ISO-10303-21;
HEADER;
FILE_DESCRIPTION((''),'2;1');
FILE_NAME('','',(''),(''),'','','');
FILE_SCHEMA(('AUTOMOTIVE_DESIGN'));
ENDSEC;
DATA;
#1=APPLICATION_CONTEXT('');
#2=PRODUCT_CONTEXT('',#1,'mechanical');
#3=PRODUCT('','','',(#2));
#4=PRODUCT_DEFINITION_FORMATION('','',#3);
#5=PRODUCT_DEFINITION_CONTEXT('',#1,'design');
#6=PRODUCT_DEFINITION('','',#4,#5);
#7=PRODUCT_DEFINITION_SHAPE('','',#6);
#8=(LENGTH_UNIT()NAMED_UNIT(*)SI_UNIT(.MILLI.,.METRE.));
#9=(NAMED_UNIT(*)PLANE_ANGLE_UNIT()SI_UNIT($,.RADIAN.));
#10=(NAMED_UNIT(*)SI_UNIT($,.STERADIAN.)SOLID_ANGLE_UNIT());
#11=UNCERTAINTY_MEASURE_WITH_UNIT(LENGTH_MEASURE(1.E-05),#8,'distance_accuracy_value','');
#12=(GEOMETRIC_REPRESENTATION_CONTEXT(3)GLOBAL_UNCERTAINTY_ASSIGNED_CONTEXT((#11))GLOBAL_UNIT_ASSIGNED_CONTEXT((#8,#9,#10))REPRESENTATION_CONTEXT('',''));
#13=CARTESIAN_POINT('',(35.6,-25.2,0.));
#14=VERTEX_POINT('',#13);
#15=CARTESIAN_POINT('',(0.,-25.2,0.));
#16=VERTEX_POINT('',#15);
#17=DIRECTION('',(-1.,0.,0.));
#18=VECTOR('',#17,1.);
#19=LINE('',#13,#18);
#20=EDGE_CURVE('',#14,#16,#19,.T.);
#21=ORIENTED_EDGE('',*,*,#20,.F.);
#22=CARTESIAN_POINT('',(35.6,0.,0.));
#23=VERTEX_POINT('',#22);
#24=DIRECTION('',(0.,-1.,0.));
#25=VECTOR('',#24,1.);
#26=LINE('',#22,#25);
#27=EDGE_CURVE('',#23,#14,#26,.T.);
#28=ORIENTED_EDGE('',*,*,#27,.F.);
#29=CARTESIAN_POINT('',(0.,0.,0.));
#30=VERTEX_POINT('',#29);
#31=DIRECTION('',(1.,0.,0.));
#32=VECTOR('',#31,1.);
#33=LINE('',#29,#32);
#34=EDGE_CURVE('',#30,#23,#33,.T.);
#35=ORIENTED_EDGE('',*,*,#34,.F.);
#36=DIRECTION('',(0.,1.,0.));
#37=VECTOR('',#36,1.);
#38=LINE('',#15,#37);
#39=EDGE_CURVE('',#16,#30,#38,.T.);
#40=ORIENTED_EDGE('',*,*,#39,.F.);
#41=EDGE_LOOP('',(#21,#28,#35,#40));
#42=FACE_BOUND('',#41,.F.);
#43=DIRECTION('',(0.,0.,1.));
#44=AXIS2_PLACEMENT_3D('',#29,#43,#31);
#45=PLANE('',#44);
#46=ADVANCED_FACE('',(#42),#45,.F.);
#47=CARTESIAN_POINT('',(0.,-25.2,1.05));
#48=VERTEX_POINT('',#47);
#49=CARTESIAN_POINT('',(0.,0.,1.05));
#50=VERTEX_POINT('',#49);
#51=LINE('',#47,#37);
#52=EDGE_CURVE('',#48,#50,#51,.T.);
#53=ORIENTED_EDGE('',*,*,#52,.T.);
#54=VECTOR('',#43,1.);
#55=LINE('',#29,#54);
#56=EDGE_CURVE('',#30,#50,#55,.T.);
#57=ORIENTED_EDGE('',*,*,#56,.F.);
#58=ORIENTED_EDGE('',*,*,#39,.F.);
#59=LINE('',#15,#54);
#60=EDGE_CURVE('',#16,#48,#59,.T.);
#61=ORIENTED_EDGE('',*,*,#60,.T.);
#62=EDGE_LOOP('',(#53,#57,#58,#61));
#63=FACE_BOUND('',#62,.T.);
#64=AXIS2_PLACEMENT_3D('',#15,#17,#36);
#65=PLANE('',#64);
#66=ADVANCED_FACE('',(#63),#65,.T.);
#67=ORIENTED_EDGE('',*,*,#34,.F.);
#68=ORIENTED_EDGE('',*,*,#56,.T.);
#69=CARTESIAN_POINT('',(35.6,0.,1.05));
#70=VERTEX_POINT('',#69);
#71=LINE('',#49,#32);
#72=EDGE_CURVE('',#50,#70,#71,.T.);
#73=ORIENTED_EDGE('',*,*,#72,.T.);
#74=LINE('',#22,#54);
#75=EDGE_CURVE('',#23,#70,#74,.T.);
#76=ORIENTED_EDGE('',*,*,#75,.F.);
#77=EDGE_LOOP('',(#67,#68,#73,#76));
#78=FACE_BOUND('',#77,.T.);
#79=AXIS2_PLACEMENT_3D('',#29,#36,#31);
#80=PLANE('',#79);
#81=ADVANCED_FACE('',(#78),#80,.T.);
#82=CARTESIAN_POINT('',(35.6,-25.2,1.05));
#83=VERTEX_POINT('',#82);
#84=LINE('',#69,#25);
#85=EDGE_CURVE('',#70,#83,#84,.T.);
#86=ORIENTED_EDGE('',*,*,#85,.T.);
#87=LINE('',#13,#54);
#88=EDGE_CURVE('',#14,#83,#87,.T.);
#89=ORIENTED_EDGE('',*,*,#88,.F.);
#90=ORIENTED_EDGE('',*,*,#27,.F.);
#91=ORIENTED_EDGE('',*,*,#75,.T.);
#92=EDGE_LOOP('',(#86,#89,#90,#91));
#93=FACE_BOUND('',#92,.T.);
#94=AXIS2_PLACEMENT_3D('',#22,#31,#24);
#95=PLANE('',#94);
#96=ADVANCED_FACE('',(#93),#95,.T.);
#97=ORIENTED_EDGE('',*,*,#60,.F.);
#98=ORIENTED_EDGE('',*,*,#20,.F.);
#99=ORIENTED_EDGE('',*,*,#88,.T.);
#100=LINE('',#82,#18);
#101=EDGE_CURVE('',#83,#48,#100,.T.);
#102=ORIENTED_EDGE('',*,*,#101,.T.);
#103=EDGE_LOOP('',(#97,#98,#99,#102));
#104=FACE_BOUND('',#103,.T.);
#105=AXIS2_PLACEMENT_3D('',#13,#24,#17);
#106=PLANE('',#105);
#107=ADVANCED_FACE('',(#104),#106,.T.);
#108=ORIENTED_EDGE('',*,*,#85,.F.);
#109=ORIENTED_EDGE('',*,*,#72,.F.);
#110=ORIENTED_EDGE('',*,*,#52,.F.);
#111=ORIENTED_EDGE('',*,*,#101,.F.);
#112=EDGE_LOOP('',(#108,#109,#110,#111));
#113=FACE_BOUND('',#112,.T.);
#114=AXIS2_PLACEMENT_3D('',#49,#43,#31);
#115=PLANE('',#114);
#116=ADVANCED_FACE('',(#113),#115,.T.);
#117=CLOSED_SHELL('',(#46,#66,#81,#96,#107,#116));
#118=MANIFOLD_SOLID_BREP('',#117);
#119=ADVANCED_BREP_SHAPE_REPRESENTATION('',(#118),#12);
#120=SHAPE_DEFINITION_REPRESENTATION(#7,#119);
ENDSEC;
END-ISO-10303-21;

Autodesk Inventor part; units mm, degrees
ref_plane "YZ Plane" through (0, 0, 0) normal (1, 0, 0) x (0, 1, 0)
ref_plane "XZ Plane" through (0, 0, 0) normal (0, 1, 0) x (-1, 0, 0)
ref_plane "XY Plane" through (0, 0, 0) normal (0, 0, 1) x (1, 0, 0)
sketch "Sketch1" plane through (0, 0, 0) normal (0, 0, 1) x (1, 0, 0)
  line L0 (0, 0) -> (35.6, 0)
  line L1 (35.6, 0) -> (35.6, -25.2)
  line L2 (35.6, -25.2) -> (0, -25.2)
  line L3 (0, -25.2) -> (0, 0)
  dimension "d0" = 25.2
  dimension "d1" = 35.6
extrude "Extrusion1" add sketch "Sketch1" along normal blind 1.05
properties part number "Semrock FF560-Di01-25x36 dichroic beamsplitter"
